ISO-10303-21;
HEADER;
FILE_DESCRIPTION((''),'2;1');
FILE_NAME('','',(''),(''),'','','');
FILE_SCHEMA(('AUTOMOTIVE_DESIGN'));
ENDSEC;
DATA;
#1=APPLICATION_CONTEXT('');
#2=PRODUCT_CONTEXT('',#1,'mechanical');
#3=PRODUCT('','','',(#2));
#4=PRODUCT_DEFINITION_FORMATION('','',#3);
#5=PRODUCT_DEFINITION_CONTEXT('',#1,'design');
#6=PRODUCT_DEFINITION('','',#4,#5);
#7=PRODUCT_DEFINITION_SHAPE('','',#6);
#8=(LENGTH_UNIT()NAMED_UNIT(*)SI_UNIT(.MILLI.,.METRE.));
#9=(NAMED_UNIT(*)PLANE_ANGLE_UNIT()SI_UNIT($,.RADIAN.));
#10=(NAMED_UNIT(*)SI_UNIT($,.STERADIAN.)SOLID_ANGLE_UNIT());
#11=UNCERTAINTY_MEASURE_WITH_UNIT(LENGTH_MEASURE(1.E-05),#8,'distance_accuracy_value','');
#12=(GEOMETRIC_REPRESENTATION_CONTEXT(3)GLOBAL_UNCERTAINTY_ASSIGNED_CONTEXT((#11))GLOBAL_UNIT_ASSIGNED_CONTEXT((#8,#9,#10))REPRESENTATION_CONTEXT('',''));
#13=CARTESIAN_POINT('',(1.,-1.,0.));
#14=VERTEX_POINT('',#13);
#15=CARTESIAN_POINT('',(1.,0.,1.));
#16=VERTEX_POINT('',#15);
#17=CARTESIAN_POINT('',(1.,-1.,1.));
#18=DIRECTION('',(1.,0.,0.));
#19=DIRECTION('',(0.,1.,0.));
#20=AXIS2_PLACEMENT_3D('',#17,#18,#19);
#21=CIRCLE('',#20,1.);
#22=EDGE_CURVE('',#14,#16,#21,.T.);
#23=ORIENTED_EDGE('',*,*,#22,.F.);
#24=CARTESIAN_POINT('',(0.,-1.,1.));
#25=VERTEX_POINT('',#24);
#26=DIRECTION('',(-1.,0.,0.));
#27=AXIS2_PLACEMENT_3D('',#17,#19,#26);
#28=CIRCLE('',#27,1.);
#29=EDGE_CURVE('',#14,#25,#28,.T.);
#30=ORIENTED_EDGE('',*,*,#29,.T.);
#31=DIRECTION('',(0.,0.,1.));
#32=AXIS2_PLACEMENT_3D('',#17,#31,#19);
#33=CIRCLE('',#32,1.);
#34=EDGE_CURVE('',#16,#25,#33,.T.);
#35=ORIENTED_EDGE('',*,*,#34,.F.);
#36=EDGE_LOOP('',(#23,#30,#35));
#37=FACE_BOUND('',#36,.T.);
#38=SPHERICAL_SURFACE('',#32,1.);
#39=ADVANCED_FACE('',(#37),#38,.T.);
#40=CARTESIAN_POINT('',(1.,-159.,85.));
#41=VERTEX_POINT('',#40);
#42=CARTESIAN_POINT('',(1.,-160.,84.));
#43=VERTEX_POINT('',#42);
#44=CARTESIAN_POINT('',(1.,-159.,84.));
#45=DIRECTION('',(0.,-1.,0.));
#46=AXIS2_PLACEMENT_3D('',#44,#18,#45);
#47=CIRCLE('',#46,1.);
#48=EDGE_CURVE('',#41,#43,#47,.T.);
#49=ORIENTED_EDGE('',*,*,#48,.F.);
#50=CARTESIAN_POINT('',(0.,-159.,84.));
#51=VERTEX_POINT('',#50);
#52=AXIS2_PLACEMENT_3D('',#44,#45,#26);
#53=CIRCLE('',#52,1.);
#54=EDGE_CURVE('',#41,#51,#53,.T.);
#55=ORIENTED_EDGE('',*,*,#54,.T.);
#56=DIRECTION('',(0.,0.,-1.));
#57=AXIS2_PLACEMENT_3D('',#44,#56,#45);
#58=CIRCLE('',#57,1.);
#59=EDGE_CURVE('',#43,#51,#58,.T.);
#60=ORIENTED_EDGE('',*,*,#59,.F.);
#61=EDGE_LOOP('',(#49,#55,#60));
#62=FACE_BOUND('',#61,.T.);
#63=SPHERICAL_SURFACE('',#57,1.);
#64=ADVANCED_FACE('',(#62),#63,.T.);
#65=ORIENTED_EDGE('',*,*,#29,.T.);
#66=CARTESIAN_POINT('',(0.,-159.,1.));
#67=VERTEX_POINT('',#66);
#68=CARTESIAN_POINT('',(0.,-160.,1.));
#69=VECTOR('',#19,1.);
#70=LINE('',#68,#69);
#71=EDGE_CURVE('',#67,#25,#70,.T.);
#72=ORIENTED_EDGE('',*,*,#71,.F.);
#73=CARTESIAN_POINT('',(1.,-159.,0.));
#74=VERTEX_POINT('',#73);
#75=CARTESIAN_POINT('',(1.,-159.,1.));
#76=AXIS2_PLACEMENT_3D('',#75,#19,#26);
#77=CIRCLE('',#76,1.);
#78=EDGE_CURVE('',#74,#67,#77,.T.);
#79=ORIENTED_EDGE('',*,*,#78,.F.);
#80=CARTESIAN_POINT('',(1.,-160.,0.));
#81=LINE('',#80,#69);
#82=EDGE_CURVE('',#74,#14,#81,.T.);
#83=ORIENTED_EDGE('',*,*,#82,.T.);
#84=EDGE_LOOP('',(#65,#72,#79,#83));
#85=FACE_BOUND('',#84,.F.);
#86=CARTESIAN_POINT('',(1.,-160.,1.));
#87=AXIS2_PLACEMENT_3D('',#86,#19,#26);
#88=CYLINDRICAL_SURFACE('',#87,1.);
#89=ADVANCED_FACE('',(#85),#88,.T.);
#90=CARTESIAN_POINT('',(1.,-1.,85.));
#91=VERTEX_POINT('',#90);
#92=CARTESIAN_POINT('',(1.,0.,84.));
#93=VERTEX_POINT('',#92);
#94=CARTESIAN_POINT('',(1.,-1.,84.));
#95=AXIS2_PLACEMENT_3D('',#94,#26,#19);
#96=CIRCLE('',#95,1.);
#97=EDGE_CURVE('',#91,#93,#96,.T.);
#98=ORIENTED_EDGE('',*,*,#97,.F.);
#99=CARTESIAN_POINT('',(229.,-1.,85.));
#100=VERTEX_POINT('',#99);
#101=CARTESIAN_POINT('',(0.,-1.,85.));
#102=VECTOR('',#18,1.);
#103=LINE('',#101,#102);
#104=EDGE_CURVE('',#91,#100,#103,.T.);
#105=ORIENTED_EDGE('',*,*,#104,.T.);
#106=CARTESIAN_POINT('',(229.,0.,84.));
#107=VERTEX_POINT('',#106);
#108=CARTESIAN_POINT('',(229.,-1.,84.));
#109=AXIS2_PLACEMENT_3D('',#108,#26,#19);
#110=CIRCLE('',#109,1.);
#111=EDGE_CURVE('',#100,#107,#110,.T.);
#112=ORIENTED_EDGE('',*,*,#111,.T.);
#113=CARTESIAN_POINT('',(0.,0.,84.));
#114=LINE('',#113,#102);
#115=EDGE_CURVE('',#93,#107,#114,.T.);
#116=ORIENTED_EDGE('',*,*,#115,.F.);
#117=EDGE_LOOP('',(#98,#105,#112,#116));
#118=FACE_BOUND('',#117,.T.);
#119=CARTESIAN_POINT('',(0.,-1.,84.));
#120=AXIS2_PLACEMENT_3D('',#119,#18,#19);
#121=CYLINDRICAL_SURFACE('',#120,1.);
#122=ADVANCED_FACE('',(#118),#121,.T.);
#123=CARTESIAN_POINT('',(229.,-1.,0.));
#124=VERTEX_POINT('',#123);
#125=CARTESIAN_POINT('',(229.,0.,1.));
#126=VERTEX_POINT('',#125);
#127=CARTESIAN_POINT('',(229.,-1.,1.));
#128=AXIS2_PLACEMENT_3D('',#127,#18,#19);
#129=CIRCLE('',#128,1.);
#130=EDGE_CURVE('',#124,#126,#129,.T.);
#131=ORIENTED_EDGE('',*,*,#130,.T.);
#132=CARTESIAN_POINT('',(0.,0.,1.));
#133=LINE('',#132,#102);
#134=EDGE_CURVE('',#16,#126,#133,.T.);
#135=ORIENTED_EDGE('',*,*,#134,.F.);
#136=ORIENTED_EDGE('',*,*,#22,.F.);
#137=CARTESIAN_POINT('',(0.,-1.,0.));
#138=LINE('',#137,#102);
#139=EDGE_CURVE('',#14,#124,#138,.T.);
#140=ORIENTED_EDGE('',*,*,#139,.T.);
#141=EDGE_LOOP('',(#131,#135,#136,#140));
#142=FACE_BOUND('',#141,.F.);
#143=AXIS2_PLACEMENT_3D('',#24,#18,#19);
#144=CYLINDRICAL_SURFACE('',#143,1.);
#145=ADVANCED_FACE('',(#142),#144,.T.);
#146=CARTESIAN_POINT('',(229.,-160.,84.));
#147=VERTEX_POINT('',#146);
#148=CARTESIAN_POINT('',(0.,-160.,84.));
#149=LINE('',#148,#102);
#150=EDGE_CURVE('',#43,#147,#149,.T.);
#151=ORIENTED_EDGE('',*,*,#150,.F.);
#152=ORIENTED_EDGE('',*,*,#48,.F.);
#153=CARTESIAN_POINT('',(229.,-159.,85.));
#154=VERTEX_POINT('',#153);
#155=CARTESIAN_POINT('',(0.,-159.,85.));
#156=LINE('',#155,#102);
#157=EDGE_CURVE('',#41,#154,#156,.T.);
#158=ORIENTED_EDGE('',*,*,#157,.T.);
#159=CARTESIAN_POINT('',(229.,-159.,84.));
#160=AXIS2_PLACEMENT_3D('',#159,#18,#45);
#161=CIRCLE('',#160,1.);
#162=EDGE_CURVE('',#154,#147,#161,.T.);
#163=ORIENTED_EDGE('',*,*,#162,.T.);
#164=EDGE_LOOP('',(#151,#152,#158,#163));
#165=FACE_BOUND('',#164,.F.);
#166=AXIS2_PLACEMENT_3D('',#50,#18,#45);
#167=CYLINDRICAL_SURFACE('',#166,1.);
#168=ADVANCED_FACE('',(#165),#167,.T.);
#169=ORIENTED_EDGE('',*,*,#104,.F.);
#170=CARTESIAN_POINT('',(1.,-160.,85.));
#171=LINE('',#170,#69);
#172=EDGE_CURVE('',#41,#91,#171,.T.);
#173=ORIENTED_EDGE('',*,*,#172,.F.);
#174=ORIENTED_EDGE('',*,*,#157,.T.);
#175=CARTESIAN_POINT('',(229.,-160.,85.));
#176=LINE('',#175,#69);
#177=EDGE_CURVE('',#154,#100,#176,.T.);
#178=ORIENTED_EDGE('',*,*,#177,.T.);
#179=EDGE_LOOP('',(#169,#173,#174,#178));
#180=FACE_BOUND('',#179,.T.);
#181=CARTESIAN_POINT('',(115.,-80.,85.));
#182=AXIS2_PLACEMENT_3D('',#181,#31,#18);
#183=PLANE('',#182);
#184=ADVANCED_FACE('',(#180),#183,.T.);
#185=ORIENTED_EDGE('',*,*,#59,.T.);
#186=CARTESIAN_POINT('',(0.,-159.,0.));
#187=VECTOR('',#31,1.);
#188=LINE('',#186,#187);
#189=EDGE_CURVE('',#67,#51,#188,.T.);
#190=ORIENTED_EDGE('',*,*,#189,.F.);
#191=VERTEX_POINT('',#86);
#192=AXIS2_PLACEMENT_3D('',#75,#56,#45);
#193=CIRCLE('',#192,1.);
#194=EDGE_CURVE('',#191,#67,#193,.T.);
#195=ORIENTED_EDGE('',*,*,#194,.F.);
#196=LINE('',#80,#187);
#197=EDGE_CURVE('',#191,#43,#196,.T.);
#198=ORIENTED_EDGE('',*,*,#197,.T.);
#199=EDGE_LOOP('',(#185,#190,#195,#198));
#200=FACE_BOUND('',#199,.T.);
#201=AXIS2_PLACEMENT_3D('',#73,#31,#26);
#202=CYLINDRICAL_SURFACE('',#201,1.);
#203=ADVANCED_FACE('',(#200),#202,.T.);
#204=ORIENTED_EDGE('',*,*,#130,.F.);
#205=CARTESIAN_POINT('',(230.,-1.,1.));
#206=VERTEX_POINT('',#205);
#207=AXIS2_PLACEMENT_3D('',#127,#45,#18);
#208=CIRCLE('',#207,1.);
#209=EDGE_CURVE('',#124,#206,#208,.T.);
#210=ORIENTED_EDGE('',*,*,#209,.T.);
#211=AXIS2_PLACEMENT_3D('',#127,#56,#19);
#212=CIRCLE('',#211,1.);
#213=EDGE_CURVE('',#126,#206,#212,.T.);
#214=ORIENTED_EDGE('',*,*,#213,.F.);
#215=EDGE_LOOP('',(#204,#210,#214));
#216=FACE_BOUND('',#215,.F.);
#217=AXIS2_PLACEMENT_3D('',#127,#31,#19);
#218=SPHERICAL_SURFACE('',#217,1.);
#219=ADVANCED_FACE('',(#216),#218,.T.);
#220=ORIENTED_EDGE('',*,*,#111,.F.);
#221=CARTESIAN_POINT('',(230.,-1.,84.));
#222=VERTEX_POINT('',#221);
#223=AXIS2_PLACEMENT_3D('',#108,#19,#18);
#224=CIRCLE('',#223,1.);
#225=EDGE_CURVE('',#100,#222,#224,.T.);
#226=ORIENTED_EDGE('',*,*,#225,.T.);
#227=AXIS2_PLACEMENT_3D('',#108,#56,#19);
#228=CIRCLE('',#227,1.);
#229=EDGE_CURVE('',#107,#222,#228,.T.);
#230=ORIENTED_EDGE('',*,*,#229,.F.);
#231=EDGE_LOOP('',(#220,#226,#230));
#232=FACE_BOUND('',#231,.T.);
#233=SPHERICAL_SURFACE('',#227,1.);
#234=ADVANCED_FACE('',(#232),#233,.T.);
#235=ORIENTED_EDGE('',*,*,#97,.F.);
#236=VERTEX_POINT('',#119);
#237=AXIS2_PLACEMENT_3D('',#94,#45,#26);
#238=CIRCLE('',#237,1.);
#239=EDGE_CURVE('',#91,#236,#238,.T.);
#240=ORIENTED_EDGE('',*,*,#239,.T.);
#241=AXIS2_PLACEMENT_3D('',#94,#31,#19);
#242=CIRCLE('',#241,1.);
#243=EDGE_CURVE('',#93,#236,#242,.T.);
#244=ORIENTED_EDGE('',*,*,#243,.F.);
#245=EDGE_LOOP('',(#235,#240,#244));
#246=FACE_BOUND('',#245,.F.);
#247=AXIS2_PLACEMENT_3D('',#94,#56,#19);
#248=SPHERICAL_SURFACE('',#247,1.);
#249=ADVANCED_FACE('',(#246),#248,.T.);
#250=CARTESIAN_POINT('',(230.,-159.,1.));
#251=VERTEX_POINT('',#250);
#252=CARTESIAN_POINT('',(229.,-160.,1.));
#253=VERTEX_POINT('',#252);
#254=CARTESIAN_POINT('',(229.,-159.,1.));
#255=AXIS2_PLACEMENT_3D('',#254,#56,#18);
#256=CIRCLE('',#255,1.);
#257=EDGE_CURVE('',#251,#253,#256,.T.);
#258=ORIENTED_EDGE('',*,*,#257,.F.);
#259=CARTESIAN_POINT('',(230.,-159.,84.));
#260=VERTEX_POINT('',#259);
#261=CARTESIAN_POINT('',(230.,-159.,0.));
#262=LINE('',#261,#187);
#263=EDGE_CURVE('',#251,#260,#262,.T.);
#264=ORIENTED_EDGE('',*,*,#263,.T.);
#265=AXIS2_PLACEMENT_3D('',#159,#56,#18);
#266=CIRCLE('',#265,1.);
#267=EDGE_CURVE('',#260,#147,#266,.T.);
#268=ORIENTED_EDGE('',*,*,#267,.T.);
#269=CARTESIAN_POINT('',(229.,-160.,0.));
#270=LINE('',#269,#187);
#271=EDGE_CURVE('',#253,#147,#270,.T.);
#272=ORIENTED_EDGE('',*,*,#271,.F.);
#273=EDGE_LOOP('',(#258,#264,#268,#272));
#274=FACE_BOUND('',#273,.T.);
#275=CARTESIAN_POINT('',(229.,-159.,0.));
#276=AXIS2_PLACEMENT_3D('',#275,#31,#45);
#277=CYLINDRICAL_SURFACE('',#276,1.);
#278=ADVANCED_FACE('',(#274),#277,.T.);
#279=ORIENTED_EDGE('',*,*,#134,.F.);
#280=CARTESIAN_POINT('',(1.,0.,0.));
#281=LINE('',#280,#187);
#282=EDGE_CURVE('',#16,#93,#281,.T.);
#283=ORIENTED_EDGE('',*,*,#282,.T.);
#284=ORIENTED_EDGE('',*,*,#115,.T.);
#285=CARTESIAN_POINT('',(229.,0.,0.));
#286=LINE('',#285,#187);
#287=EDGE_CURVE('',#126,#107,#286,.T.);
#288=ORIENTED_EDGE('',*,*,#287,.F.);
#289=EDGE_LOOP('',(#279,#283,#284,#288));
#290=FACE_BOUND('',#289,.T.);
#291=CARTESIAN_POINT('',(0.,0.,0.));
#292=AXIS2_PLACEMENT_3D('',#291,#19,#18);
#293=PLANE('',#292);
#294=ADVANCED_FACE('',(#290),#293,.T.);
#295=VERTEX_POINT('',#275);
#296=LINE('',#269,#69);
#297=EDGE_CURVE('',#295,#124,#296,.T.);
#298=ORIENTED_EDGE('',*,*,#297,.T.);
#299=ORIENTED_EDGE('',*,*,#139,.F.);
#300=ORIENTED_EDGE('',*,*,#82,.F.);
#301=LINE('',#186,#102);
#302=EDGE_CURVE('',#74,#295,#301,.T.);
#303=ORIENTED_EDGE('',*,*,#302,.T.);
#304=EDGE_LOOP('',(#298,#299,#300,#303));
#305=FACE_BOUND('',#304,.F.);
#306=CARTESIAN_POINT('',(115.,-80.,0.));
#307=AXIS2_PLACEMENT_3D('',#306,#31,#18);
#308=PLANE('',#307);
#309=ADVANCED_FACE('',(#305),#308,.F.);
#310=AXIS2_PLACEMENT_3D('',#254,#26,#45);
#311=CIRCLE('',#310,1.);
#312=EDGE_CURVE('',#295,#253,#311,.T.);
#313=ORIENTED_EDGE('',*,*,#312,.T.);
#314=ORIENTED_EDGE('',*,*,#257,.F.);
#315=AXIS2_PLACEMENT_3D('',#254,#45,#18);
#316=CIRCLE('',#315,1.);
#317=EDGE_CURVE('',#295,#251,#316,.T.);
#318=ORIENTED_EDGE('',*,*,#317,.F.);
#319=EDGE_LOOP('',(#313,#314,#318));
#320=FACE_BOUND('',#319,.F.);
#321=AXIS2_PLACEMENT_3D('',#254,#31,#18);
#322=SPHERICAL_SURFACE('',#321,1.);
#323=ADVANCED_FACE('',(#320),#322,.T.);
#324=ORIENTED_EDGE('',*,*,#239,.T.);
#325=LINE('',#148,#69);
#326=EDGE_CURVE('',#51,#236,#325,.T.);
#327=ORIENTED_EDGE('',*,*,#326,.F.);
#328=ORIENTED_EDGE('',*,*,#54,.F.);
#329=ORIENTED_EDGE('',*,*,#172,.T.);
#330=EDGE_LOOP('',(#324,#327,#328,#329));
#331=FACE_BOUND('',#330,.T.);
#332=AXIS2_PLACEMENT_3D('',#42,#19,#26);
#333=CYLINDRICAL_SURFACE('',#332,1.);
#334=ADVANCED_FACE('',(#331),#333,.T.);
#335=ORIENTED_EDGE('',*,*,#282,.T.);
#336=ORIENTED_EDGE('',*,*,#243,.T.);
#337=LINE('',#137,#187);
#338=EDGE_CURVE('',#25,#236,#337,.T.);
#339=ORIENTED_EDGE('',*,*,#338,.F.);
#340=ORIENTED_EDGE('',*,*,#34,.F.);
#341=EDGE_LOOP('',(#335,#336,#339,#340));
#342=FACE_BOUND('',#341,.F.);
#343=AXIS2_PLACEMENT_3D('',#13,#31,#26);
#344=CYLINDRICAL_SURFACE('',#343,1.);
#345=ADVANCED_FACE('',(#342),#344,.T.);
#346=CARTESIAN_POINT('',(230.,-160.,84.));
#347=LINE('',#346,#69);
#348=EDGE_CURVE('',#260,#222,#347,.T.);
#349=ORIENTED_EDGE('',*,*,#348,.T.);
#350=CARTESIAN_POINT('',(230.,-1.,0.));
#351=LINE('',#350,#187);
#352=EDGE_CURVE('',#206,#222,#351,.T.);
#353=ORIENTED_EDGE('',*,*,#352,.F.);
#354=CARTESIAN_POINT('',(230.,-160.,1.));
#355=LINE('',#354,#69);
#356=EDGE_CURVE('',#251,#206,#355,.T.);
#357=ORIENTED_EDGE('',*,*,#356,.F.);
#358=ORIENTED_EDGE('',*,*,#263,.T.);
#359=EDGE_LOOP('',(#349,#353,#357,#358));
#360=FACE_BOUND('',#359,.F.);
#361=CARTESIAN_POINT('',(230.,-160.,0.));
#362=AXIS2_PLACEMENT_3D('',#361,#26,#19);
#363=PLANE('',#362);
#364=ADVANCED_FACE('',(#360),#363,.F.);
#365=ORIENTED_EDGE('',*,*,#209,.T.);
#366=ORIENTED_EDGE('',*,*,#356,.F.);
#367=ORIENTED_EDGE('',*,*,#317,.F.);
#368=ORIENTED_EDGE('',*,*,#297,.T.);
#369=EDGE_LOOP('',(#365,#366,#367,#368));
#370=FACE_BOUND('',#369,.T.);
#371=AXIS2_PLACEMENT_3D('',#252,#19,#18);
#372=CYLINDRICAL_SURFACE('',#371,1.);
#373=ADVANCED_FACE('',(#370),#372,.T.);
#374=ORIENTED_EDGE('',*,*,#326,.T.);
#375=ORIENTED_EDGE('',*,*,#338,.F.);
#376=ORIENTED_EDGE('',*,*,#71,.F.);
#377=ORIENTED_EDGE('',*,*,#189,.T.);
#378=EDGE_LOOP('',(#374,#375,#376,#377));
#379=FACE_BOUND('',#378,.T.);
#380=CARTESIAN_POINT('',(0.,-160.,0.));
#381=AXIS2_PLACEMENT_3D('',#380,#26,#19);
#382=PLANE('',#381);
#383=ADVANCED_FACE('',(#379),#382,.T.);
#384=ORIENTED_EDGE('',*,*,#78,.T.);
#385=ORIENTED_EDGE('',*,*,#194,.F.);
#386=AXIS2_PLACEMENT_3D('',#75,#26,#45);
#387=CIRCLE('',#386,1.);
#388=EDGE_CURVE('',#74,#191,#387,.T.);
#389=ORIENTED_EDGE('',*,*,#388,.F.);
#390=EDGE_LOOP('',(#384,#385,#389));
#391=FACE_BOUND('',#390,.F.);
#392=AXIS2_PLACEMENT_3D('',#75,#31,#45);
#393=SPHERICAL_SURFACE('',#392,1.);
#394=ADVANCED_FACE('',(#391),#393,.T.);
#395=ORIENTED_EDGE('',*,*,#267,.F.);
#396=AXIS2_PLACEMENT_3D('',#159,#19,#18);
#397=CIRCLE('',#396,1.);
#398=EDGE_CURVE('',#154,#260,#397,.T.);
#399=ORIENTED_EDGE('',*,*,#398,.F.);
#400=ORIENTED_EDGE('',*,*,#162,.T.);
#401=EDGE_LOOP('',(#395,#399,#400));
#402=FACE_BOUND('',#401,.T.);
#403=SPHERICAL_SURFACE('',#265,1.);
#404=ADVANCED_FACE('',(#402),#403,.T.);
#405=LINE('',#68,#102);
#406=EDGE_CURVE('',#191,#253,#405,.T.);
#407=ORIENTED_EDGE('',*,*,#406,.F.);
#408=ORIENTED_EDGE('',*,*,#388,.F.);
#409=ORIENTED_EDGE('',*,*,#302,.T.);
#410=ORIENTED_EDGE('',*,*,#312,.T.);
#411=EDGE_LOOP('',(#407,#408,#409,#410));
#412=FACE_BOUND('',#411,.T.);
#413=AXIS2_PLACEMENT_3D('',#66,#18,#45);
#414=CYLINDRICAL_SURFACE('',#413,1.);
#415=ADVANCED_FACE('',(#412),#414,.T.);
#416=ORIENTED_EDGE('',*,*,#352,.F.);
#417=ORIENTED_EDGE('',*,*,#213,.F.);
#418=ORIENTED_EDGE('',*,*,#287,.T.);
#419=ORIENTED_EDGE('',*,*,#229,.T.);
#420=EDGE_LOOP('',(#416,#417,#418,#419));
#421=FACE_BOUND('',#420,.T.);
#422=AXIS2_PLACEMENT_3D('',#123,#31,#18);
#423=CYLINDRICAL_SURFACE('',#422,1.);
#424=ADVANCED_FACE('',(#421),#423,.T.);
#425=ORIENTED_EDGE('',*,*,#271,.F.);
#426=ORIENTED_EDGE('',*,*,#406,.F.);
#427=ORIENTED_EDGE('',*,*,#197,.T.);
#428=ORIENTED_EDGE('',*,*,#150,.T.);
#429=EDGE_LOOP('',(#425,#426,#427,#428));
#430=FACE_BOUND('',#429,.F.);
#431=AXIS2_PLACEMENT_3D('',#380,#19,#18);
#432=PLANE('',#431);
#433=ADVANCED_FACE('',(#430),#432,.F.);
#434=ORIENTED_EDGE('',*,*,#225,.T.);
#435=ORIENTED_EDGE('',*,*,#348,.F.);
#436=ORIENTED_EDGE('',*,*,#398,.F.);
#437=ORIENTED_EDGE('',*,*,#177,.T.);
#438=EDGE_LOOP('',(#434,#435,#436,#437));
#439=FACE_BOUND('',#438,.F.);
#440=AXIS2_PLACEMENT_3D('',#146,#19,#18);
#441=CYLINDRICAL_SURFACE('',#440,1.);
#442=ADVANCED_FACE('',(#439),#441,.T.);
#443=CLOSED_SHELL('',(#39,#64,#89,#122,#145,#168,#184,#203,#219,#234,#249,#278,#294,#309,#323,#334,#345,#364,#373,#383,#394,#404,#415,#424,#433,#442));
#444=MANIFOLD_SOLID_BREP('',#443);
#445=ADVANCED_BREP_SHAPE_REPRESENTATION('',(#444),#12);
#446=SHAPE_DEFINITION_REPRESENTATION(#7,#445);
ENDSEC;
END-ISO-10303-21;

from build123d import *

# Parameters (mm, degrees)
SKETCH_W  = 230
SKETCH_H  = 160
PAD_DEPTH = 85
FILLET_R  = 1


with BuildPart() as part:
    # Sketch → Pad (new body)
    with BuildSketch(Plane.XY):
        with Locations((115, -80)):
            Rectangle(SKETCH_W, SKETCH_H)
    extrude(amount=PAD_DEPTH)

    # Fillet
    fillet_edges = [part.edges().sort_by_distance(p)[0] for p in [
        (0, 0, 42.5),
        (230, 0, 42.5),
        (115, 0, 0),
        (115, 0, 85),
        (230, -160, 42.5),
        (230, -80, 0),
        (230, -80, 85),
        (0, -160, 42.5),
        (115, -160, 0),
        (115, -160, 85),
        (0, -80, 0),
        (0, -80, 85),
    ]]
    fillet(fillet_edges, radius=FILLET_R)


solid = part.part
